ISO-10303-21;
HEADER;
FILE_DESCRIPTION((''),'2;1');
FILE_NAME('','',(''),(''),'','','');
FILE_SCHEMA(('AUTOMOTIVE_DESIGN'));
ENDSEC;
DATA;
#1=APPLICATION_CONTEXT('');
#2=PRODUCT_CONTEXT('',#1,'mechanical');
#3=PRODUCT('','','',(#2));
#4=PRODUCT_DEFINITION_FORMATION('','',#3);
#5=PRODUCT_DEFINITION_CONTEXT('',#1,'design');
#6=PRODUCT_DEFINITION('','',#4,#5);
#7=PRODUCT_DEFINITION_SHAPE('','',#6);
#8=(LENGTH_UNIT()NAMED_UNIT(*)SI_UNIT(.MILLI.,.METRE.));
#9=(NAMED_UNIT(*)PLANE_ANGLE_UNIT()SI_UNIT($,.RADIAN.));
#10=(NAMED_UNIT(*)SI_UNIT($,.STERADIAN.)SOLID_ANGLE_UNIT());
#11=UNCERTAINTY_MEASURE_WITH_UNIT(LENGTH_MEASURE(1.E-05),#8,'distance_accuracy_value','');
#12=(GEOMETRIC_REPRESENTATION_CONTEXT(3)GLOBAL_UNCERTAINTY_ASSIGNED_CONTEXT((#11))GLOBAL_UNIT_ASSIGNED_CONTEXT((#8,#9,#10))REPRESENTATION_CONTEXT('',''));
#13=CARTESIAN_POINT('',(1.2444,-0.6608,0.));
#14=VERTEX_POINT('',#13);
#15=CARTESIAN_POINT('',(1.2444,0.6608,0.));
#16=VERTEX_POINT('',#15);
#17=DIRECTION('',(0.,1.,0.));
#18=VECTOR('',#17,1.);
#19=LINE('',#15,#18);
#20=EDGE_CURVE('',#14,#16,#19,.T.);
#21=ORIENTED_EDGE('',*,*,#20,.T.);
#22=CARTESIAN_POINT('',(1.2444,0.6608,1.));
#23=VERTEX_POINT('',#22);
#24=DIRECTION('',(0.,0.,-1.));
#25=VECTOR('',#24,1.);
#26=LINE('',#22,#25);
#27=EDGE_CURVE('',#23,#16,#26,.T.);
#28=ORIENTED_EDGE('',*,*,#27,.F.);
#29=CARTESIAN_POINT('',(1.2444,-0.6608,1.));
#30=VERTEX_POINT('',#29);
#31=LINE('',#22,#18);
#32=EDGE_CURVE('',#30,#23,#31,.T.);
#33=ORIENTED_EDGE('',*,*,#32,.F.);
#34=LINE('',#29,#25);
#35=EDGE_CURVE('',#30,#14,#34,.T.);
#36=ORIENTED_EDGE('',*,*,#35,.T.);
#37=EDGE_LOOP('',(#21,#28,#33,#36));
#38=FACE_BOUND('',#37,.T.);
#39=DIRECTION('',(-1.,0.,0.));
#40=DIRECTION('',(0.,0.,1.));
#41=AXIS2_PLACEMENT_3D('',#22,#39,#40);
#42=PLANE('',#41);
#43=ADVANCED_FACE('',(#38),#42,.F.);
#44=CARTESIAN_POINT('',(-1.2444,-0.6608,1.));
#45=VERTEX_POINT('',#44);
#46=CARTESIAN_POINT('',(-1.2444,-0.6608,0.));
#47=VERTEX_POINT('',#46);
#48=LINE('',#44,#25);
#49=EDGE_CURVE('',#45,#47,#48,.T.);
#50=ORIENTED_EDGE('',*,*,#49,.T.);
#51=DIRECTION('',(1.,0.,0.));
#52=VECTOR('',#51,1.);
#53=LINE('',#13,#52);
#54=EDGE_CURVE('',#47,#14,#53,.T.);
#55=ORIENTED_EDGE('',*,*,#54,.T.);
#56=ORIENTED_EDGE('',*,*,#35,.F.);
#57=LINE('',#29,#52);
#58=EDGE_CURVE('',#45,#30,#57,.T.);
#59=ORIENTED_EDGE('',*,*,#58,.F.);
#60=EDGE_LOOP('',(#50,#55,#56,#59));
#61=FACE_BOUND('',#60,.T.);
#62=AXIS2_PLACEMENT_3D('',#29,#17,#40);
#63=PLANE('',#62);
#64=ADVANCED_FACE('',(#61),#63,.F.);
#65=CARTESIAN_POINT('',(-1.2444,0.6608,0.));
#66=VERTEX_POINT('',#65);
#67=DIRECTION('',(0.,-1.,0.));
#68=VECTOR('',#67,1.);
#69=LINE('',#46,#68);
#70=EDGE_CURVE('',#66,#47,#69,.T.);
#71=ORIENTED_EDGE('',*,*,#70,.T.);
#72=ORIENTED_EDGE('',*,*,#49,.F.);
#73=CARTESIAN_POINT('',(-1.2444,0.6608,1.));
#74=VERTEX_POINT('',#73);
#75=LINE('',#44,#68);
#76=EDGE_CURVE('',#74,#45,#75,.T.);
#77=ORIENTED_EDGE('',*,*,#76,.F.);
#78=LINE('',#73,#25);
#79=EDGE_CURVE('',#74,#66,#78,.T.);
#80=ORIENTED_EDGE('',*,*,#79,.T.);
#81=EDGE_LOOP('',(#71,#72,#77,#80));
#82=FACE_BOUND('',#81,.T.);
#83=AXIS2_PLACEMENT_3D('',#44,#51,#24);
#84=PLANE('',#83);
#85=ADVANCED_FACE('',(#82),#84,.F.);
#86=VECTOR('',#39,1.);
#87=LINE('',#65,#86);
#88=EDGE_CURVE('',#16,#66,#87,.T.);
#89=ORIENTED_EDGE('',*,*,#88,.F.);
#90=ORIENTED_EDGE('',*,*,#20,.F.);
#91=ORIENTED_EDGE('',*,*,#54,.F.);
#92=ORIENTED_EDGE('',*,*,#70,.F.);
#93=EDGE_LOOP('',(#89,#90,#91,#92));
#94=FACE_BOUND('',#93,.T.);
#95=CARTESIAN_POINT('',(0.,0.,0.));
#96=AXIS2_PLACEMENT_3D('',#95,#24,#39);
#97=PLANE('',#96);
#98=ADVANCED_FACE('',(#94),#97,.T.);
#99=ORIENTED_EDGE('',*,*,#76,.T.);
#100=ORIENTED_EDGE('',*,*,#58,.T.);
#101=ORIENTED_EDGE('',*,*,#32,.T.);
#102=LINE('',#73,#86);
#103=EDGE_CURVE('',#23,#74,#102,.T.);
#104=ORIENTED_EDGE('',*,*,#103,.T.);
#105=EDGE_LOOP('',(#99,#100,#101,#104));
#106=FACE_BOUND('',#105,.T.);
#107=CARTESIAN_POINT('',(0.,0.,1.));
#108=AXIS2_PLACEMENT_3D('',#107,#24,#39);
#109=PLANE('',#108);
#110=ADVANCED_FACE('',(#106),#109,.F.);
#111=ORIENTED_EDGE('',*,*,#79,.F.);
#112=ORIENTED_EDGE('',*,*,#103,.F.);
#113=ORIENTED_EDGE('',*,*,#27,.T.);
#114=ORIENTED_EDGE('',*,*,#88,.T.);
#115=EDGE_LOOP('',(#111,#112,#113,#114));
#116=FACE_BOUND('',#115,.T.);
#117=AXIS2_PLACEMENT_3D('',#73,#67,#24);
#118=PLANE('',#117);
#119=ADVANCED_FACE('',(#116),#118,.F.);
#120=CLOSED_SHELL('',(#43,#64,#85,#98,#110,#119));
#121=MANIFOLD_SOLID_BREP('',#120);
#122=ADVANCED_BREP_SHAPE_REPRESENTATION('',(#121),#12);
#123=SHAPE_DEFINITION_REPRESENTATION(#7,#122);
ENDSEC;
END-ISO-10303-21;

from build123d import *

# Parameters (mm, degrees)
SKETCH1_W               = 2.4888
SKETCH1_H               = 1.3216
COMPONENT_OUTLINE_DEPTH = 1


with BuildPart() as part:
    # Sketch1 → Component_Outline (new body)
    with BuildSketch(Plane.XY):
        Rectangle(SKETCH1_W, SKETCH1_H)
    extrude(amount=COMPONENT_OUTLINE_DEPTH)


solid = part.part
